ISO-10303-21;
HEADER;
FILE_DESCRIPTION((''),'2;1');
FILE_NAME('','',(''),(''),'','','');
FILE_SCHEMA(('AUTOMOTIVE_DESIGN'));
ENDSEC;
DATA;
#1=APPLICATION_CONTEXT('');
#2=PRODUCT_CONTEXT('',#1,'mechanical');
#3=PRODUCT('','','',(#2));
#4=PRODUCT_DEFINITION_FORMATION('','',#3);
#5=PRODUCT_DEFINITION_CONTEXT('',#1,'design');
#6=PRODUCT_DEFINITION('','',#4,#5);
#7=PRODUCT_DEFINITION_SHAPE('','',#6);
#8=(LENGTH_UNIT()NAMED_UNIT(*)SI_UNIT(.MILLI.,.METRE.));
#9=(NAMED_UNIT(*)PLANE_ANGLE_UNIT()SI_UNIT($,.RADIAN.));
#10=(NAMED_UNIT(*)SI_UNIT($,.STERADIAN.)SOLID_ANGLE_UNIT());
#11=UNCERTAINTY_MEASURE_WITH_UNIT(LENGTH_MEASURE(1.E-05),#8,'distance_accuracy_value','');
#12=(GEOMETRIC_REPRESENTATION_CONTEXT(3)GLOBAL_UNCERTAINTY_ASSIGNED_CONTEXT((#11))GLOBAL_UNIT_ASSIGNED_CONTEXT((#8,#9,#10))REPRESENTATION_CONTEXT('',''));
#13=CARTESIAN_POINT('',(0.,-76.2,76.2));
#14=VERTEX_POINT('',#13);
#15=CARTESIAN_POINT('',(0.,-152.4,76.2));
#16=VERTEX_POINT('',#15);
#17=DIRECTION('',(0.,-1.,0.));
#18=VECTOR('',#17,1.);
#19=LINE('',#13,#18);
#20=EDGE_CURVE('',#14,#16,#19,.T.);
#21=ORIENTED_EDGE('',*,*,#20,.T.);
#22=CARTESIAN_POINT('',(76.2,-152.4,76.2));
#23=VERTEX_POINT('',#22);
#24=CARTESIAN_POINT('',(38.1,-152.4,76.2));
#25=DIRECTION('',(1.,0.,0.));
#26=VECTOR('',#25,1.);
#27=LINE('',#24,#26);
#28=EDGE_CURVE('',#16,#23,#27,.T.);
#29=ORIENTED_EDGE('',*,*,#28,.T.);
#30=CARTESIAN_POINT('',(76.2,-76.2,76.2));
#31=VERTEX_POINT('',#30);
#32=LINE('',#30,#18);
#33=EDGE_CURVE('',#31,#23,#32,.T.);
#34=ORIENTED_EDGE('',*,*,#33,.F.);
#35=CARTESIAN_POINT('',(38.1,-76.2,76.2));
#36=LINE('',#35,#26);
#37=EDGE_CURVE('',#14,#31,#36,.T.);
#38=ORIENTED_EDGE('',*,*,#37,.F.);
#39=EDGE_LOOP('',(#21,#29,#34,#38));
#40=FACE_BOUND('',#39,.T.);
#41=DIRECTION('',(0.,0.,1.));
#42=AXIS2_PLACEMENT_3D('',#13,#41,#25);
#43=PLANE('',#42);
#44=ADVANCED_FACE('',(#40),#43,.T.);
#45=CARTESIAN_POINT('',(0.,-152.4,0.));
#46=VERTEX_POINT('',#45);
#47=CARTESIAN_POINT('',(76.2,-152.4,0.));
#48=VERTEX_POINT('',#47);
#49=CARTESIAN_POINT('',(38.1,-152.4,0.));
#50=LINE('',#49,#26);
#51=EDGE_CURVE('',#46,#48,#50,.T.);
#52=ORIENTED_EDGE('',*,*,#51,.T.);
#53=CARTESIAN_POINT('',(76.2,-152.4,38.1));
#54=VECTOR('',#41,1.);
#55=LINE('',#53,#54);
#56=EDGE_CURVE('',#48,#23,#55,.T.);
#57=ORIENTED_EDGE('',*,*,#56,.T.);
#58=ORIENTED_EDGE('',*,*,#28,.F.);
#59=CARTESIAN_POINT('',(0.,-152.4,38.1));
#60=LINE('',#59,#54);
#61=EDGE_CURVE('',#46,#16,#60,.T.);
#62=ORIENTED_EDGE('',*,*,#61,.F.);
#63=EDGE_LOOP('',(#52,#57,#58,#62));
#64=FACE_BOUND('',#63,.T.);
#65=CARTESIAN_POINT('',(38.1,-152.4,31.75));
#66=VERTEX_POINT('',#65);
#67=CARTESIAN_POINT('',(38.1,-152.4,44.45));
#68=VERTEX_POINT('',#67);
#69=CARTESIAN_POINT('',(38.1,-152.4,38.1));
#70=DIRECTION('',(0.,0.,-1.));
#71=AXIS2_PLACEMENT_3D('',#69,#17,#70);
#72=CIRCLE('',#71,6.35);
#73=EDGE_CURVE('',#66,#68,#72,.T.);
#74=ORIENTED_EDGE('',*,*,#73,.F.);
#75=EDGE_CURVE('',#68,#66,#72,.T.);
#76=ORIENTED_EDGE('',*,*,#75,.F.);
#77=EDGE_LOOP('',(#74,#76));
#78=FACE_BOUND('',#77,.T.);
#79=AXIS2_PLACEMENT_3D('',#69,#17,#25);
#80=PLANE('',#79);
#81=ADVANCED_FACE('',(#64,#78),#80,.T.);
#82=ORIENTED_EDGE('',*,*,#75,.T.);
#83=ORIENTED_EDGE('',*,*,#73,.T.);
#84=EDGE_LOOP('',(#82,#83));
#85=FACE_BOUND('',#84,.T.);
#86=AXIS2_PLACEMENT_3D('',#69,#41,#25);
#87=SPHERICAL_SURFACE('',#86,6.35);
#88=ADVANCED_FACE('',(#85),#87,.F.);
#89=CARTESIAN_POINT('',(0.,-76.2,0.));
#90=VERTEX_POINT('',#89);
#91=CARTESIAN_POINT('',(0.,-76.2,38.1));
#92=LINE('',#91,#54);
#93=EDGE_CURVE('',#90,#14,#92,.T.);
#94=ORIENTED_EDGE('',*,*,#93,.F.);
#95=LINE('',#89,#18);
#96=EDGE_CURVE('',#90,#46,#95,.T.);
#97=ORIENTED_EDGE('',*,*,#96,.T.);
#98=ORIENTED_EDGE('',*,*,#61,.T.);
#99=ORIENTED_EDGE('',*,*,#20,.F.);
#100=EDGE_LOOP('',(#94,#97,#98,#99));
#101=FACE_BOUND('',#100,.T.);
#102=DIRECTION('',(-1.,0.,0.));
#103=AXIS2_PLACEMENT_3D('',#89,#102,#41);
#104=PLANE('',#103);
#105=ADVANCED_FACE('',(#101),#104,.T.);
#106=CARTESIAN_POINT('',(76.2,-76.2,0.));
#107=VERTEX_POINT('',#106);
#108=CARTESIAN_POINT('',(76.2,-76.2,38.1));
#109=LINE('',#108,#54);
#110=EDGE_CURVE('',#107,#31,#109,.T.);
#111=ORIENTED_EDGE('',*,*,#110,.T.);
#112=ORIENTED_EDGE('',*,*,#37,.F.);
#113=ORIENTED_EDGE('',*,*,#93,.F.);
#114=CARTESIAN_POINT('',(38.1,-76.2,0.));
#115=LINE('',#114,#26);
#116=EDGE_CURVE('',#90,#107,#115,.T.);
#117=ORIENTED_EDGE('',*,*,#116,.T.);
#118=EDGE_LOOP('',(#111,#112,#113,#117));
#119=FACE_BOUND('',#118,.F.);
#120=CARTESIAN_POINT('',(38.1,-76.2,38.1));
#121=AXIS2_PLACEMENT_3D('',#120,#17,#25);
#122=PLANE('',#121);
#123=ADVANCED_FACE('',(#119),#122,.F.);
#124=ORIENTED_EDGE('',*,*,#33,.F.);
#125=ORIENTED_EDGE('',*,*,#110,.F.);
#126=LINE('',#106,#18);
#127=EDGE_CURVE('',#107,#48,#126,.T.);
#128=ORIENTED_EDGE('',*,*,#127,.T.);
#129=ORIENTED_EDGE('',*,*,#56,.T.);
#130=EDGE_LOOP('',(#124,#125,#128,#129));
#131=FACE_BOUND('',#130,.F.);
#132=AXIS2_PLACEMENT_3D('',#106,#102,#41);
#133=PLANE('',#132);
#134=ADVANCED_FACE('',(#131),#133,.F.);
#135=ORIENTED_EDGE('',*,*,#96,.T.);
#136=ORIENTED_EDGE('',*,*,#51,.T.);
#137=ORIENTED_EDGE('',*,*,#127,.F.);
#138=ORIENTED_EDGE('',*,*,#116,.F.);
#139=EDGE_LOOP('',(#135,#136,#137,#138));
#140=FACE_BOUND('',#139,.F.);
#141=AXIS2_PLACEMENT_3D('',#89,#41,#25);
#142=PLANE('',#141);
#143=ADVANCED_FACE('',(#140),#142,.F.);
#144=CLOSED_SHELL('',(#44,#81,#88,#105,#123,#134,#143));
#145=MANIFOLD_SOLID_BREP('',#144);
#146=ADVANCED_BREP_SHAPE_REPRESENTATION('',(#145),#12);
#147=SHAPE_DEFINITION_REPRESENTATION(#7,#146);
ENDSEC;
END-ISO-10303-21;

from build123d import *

# Parameters (mm, degrees)
F1_W     = 76.2
F1_H     = 76.2
F2_DEPTH = 76.2


with BuildPart() as f2:
    # F1 (on offset) → F2 (new body)
    with BuildSketch(Plane.XZ.offset(76.2)):
        with Locations((38.1, 38.1)):
            Rectangle(F1_W, F1_H)
    extrude(amount=F2_DEPTH)

    # F3 (on face) → F4 (revolve, cut)
    with BuildSketch(Plane.XZ.offset(152.4)):
        with BuildLine():
            ThreePointArc((38.1, 31.75), (44.45, 38.1), (38.1, 44.45))
            Line((38.1, 44.45), (38.1, 31.75))
        make_face()
    revolve(axis=Axis((38.1, -152.4, 38.1), (0, 0, -1)), mode=Mode.SUBTRACT)


solid = f2.part
